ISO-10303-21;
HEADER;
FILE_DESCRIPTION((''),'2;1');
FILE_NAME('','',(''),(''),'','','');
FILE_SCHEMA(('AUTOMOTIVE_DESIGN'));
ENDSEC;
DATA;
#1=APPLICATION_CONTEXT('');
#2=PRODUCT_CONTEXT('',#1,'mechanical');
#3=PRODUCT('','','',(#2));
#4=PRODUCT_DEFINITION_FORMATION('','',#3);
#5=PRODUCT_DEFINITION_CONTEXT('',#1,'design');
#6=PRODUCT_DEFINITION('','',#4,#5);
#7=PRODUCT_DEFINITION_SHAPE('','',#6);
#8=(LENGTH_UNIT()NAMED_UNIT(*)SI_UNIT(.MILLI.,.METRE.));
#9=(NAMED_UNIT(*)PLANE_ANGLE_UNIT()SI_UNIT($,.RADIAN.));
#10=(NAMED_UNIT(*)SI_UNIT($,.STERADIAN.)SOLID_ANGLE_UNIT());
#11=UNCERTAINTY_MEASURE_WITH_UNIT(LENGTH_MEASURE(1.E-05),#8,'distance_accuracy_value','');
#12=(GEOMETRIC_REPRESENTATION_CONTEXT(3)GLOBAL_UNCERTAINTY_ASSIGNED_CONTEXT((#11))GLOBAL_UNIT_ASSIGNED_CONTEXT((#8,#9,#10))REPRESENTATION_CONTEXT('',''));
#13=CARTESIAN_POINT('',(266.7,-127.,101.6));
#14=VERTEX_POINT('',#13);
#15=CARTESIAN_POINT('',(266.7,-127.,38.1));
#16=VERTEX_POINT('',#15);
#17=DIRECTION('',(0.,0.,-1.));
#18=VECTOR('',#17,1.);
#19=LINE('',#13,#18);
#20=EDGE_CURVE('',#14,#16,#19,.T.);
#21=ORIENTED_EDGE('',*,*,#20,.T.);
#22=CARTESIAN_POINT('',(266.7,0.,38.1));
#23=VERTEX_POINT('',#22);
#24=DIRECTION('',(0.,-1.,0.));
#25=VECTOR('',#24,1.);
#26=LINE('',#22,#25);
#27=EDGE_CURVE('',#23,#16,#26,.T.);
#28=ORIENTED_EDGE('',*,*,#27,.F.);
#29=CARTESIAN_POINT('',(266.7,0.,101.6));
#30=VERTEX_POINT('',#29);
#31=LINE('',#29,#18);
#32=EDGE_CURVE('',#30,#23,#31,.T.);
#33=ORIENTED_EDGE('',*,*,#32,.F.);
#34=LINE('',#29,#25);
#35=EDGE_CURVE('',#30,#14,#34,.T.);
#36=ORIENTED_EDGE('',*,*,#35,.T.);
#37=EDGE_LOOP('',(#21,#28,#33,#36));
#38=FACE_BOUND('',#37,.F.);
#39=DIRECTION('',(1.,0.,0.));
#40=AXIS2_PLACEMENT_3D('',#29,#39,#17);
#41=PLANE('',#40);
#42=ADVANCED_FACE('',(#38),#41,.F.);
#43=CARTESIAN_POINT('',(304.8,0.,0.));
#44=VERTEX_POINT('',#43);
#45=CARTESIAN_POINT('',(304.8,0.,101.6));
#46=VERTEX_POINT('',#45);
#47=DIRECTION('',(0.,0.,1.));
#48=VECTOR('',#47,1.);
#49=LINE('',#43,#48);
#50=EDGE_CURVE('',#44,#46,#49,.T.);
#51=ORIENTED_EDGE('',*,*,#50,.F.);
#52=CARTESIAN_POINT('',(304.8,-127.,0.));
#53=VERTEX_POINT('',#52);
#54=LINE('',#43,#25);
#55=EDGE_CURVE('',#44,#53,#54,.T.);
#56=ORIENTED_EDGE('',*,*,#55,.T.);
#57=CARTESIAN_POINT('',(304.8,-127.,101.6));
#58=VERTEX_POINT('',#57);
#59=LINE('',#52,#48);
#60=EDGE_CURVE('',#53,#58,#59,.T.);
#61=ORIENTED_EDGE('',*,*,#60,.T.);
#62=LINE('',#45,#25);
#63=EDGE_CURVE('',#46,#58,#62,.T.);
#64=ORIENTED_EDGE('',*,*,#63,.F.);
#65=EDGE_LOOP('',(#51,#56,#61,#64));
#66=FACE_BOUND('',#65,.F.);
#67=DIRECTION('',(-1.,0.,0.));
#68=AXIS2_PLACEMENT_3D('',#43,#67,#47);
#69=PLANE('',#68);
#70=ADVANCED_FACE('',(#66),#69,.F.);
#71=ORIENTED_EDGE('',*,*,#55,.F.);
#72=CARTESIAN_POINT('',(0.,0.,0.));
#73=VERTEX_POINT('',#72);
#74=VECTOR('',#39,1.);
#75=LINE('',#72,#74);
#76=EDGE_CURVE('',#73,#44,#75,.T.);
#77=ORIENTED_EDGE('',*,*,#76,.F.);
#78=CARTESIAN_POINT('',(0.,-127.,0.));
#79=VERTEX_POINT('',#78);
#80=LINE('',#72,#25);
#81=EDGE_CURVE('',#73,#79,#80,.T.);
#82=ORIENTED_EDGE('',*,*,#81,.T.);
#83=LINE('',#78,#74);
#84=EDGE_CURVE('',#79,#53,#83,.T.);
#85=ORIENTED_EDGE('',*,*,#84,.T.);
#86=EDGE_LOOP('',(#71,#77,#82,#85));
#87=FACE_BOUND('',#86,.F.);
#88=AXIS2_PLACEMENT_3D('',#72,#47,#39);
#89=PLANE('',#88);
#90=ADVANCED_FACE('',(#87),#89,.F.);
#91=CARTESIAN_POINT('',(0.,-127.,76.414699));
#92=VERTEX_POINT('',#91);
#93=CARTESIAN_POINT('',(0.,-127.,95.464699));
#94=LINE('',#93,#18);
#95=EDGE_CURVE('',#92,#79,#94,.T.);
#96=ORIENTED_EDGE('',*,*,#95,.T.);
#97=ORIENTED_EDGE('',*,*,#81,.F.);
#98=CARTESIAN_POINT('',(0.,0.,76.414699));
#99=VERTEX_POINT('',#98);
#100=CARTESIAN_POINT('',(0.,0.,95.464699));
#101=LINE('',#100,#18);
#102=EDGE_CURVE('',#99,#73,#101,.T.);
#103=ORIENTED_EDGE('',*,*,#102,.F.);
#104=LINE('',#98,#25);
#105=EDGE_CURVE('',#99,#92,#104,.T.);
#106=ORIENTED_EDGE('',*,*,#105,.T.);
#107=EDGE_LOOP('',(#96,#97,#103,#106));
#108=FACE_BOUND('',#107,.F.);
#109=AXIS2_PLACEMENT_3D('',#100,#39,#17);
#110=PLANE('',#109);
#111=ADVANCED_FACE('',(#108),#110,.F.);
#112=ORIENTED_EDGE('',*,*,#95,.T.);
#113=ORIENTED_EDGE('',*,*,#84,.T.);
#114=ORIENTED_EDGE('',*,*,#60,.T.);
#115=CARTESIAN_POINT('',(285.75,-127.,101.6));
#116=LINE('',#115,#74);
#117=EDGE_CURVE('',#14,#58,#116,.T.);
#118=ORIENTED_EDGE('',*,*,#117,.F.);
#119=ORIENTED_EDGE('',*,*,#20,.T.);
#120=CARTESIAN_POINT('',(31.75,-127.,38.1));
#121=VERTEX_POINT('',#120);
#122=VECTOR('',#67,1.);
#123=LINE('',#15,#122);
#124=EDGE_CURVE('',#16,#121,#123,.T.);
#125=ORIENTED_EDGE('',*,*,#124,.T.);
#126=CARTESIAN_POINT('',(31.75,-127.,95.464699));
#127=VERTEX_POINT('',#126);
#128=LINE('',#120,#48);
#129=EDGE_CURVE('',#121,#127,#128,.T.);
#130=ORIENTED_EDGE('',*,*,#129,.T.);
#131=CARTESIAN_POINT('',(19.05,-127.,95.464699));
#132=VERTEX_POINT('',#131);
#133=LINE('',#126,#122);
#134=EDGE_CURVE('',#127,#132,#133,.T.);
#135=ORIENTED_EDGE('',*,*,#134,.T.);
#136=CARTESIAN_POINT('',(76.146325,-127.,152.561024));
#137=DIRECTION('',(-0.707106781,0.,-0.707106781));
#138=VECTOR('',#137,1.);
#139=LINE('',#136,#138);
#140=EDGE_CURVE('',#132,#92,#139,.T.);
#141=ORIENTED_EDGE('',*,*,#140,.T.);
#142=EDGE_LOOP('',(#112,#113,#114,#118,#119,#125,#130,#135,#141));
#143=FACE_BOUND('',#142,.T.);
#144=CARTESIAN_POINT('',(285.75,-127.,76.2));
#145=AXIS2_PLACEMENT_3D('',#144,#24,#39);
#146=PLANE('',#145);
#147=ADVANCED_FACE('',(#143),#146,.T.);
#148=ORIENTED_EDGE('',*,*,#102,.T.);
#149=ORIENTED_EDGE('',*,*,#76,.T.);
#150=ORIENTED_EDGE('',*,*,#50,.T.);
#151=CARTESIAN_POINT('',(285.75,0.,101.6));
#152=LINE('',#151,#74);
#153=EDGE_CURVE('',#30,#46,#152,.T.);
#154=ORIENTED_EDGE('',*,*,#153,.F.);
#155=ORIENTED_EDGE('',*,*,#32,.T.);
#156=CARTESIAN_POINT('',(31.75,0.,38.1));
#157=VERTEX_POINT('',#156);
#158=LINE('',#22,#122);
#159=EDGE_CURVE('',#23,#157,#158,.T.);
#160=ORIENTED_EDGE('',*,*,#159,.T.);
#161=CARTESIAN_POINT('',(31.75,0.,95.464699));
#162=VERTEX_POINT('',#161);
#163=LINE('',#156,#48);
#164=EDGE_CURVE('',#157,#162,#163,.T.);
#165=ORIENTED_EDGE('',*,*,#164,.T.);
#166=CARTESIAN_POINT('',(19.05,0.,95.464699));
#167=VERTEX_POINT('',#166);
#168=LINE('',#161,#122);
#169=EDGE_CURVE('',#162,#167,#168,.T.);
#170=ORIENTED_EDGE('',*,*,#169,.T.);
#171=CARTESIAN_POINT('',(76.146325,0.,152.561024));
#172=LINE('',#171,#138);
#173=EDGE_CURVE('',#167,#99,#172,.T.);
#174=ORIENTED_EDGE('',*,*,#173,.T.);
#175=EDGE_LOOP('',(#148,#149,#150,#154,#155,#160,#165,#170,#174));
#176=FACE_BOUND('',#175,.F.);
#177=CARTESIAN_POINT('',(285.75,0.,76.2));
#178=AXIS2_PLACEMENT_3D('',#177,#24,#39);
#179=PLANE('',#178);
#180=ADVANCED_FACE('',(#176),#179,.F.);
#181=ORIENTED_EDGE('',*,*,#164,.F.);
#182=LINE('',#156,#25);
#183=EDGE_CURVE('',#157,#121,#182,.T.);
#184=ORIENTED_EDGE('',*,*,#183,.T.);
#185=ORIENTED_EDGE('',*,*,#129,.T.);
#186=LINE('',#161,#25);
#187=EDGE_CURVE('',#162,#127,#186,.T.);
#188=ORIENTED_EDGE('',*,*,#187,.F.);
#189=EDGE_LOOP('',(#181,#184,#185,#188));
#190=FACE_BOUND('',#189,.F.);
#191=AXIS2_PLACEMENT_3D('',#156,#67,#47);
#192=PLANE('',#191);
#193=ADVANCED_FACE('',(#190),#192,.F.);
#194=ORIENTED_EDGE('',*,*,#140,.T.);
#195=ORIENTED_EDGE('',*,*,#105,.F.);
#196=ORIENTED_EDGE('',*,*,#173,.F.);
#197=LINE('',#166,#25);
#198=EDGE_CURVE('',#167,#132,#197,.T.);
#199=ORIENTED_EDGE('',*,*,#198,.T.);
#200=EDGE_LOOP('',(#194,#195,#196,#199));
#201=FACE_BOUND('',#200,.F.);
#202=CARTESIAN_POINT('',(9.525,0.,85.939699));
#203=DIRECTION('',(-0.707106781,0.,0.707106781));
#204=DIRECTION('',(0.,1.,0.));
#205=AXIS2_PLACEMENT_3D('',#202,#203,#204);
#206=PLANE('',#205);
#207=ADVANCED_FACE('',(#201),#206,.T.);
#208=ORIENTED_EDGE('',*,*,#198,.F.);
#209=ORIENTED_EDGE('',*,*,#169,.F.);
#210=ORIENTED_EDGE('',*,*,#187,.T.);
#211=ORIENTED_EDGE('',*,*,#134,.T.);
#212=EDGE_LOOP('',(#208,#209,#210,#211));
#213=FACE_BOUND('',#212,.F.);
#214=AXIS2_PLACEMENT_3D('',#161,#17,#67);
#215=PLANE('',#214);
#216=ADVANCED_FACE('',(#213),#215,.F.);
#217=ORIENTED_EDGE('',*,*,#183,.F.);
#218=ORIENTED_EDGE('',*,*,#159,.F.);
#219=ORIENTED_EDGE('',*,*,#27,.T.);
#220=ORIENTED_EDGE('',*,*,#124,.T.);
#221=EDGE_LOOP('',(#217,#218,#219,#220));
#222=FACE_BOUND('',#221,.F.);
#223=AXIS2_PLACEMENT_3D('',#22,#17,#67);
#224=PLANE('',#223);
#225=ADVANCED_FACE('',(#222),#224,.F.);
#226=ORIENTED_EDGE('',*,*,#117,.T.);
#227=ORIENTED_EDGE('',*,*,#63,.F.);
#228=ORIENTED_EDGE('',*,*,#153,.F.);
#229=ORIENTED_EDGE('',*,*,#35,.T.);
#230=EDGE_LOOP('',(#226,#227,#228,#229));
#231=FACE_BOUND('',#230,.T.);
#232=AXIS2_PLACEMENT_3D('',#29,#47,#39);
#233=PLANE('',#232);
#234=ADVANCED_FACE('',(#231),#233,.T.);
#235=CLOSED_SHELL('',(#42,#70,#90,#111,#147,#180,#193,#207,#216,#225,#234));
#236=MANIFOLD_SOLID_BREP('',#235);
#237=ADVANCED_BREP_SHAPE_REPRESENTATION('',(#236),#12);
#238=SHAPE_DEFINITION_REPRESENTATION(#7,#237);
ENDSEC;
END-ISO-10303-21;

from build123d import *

# Parameters (mm, degrees)
F0_W     = 38.1
F0_H     = 50.8
F1_DEPTH = 127
F2_SIZE2 = 19.05
F2_SIZE  = 19.05


with BuildPart() as f1:
    # F0 (on Front) → F1 (new body)
    with BuildSketch(Plane.XZ):
        with Locations((285.75, 76.2)):
            Rectangle(F0_W, F0_H)
        Polygon((0, 95.464699), (0, 0), (304.8, 0), (304.8, 50.8), (266.7, 50.8), (266.7, 38.1), (31.75, 38.1), (31.75, 95.464699), align=None)
    extrude(amount=F1_DEPTH)

    # F2
    f2_edges = [f1.edges().sort_by_distance(p)[0] for p in [
        (0, -63.5, 95.464699),
    ]]
    chamfer(f2_edges, length=F2_SIZE, length2=F2_SIZE2)


solid = f1.part
